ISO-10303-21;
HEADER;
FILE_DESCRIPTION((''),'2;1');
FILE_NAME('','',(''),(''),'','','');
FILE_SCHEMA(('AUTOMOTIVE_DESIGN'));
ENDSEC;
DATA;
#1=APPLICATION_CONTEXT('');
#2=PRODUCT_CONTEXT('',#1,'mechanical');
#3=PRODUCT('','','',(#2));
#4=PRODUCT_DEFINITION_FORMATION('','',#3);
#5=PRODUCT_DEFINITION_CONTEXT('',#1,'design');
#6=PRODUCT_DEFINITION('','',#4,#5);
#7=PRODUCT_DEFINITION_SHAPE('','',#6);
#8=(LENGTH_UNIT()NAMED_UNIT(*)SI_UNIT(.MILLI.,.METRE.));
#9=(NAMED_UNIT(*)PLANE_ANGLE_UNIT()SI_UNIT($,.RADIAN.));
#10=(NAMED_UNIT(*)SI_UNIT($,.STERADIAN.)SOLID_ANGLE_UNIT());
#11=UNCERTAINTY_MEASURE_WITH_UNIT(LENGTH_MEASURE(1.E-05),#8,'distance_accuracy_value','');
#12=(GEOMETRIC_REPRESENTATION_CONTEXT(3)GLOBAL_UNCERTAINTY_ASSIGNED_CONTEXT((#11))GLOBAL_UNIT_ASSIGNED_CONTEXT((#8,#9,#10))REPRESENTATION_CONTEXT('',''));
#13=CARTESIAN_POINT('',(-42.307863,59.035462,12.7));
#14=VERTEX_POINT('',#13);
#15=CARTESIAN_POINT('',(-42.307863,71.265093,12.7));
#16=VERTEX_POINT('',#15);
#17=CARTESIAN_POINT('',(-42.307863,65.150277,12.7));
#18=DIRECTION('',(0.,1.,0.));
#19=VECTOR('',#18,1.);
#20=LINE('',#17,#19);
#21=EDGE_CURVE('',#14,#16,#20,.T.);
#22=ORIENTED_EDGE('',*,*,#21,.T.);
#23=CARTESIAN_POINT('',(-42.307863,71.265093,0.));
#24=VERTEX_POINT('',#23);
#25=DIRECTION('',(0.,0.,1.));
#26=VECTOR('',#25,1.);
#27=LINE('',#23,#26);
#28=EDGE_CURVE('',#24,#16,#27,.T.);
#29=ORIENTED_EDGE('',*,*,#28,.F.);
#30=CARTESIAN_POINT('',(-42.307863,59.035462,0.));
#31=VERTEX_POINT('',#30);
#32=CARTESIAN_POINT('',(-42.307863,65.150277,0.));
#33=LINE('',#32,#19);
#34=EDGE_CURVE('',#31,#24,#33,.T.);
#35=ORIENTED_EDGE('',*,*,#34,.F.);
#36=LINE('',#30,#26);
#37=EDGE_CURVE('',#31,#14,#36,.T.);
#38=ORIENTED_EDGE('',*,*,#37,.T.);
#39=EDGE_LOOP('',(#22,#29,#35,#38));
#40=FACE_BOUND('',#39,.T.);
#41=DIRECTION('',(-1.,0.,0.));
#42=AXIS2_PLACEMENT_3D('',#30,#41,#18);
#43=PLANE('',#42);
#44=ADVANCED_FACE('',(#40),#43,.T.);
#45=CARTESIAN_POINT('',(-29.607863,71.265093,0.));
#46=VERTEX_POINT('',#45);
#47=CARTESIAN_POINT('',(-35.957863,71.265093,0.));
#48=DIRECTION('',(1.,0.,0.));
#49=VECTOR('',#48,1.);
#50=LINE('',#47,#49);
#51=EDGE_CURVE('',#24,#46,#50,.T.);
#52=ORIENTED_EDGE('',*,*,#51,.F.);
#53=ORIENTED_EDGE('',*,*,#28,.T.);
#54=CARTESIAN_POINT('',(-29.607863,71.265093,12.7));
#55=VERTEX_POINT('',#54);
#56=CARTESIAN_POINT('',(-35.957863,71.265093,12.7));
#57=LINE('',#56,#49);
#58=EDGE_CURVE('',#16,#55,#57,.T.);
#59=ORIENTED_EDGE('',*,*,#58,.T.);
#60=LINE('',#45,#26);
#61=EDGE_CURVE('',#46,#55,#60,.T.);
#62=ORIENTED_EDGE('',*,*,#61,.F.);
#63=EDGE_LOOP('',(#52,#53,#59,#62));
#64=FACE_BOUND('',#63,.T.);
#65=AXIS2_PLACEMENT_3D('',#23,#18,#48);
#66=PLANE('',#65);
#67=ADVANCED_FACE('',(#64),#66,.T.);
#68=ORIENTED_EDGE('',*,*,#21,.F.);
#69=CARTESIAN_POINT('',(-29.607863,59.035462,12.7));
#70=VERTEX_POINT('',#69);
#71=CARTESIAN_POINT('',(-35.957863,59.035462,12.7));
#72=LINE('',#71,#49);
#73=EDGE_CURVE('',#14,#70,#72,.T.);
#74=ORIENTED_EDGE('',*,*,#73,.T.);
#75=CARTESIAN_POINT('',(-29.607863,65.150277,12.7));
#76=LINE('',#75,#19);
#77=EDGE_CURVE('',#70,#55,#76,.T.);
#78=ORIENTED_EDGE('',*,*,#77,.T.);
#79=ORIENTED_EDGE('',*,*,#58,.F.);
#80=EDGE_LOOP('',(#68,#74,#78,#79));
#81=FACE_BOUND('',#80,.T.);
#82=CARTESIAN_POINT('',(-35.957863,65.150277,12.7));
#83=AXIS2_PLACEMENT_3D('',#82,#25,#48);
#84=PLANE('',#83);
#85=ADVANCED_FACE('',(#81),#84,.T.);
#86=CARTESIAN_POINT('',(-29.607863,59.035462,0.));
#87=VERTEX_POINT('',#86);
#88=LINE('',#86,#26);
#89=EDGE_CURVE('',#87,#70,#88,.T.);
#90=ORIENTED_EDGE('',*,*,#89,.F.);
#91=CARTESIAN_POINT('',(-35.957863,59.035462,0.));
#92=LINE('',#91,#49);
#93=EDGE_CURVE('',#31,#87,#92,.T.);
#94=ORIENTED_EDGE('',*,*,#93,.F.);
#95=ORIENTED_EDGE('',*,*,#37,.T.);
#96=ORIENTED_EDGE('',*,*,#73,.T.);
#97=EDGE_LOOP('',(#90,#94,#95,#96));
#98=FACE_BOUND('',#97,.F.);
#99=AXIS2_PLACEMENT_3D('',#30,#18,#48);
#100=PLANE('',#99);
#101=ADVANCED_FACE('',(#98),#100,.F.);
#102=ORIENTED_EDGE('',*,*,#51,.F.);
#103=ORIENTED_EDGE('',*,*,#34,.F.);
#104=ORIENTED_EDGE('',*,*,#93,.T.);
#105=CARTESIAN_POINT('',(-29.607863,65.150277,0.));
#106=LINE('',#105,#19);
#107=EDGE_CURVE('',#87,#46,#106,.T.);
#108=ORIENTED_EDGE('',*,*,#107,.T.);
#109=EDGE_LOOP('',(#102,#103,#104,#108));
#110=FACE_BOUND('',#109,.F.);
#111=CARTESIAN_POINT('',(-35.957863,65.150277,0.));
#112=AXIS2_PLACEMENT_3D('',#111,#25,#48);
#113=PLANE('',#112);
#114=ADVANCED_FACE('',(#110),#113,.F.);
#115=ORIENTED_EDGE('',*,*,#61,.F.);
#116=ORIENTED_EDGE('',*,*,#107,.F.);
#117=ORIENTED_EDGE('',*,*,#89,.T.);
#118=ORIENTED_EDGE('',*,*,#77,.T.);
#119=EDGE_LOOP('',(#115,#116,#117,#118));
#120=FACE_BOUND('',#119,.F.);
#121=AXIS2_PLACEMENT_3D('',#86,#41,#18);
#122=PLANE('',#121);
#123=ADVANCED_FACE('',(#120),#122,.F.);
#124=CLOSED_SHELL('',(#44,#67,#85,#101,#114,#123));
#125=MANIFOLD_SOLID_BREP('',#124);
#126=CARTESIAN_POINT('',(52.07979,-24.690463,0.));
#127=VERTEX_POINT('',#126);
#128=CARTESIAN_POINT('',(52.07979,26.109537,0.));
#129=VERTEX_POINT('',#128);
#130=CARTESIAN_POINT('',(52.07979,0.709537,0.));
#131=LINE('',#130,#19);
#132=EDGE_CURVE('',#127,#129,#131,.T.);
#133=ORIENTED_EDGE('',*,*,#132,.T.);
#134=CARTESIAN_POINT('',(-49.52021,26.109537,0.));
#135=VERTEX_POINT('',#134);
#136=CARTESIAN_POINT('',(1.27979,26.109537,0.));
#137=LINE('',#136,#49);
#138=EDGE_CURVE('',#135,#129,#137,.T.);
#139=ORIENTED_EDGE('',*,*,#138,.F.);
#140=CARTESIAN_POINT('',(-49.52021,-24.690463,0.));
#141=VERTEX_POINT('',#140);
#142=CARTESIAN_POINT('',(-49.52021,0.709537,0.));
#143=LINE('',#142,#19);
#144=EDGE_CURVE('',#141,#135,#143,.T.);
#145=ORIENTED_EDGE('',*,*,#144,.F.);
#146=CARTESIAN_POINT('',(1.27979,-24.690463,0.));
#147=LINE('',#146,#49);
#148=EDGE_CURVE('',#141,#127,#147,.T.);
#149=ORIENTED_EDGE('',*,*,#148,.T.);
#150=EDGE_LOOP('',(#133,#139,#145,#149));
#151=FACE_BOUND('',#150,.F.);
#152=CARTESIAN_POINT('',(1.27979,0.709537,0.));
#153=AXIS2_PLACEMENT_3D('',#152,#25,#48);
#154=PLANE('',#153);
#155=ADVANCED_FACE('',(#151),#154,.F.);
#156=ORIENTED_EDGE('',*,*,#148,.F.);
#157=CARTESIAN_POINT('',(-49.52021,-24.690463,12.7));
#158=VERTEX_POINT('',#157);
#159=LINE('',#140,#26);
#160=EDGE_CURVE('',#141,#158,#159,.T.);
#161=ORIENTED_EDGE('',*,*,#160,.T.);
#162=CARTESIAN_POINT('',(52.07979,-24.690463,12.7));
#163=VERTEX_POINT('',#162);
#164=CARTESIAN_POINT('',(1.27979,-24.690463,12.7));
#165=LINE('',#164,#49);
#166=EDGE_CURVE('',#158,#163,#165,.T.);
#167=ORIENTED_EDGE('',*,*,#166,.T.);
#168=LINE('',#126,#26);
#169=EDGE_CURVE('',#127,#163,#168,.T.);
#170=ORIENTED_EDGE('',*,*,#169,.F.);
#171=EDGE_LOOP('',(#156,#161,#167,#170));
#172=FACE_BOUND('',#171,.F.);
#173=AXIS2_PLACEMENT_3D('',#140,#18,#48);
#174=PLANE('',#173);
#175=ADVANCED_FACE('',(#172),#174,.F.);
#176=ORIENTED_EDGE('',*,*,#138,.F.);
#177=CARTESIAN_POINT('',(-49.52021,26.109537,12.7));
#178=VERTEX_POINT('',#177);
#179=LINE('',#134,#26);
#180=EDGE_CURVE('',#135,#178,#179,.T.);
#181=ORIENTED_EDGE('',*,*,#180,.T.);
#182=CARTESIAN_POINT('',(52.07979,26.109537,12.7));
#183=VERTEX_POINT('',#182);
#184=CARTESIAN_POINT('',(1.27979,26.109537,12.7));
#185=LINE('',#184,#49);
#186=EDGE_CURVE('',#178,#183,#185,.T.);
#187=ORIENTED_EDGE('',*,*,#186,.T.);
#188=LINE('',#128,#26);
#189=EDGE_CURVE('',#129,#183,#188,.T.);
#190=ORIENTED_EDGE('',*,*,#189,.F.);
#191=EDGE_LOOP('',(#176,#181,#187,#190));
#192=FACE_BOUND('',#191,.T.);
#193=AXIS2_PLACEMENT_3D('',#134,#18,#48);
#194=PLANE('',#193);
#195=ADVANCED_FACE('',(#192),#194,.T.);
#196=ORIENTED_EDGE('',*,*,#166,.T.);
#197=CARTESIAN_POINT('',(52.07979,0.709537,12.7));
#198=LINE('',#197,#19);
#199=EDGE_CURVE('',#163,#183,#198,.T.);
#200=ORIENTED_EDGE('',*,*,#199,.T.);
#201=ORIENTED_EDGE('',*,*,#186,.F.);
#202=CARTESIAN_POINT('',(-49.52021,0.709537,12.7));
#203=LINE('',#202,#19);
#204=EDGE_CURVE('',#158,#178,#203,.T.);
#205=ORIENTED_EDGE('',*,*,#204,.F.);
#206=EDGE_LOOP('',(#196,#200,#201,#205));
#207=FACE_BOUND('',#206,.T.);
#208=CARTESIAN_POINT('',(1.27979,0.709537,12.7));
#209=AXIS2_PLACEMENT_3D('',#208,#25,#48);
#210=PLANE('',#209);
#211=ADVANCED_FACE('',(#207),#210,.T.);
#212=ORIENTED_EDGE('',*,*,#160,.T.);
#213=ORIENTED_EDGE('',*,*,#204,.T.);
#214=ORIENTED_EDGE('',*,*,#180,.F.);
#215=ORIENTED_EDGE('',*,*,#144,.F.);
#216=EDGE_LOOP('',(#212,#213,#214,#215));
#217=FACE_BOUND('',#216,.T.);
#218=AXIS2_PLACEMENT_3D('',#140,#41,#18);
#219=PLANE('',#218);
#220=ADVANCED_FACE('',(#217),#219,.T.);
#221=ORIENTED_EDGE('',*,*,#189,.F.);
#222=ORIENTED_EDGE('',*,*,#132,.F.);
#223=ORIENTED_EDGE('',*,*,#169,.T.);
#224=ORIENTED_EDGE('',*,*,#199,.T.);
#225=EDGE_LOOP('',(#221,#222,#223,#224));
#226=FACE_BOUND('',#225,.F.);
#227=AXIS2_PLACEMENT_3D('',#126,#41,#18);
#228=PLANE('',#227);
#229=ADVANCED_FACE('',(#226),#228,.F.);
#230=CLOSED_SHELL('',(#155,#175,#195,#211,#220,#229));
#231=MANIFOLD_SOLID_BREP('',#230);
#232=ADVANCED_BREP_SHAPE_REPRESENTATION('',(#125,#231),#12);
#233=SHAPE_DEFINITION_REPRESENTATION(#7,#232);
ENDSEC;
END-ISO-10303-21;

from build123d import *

# Parameters (mm, degrees)
F0_W     = 101.6
F0_H     = 50.8
F1_DEPTH = 12.7
F2_DEPTH = 12.7
F0_W_2   = 12.7
F0_H_2   = 12.2296307023
F0_H_3   = 12.7


with BuildPart() as f1:
    # F0 (on Top) → F1 (new body)
    with BuildSketch(Plane.XY):
        with Locations((1.2797895743, 0.7095372477)):
            Rectangle(F0_W, F0_H)
    extrude(amount=F1_DEPTH)

    # F0 (on Top) → F2 (join)
    with BuildSketch(Plane.XY):
        with Locations((1.2797895743, 0.7095372477)):
            Rectangle(F0_W, F0_H)
    extrude(amount=F2_DEPTH)


with BuildPart() as f2:
    # F0 (on Top) → F2, piece 2 (new body)
    with BuildSketch(Plane.XY):
        with Locations((-35.9578634432, 65.1502772444)):
            Rectangle(F0_W_2, F0_H_2)
    extrude(amount=F2_DEPTH)


with BuildPart() as f2b:
    # F0 (on Top) → F2, piece 3 (new body)
    with BuildSketch(Plane.XY):
        with Locations((-3.0319387976, 58.800275843)):
            Rectangle(F0_W_2, F0_H_3)
    extrude(amount=F2_DEPTH)


solid = Compound([f1.part, f2.part])
